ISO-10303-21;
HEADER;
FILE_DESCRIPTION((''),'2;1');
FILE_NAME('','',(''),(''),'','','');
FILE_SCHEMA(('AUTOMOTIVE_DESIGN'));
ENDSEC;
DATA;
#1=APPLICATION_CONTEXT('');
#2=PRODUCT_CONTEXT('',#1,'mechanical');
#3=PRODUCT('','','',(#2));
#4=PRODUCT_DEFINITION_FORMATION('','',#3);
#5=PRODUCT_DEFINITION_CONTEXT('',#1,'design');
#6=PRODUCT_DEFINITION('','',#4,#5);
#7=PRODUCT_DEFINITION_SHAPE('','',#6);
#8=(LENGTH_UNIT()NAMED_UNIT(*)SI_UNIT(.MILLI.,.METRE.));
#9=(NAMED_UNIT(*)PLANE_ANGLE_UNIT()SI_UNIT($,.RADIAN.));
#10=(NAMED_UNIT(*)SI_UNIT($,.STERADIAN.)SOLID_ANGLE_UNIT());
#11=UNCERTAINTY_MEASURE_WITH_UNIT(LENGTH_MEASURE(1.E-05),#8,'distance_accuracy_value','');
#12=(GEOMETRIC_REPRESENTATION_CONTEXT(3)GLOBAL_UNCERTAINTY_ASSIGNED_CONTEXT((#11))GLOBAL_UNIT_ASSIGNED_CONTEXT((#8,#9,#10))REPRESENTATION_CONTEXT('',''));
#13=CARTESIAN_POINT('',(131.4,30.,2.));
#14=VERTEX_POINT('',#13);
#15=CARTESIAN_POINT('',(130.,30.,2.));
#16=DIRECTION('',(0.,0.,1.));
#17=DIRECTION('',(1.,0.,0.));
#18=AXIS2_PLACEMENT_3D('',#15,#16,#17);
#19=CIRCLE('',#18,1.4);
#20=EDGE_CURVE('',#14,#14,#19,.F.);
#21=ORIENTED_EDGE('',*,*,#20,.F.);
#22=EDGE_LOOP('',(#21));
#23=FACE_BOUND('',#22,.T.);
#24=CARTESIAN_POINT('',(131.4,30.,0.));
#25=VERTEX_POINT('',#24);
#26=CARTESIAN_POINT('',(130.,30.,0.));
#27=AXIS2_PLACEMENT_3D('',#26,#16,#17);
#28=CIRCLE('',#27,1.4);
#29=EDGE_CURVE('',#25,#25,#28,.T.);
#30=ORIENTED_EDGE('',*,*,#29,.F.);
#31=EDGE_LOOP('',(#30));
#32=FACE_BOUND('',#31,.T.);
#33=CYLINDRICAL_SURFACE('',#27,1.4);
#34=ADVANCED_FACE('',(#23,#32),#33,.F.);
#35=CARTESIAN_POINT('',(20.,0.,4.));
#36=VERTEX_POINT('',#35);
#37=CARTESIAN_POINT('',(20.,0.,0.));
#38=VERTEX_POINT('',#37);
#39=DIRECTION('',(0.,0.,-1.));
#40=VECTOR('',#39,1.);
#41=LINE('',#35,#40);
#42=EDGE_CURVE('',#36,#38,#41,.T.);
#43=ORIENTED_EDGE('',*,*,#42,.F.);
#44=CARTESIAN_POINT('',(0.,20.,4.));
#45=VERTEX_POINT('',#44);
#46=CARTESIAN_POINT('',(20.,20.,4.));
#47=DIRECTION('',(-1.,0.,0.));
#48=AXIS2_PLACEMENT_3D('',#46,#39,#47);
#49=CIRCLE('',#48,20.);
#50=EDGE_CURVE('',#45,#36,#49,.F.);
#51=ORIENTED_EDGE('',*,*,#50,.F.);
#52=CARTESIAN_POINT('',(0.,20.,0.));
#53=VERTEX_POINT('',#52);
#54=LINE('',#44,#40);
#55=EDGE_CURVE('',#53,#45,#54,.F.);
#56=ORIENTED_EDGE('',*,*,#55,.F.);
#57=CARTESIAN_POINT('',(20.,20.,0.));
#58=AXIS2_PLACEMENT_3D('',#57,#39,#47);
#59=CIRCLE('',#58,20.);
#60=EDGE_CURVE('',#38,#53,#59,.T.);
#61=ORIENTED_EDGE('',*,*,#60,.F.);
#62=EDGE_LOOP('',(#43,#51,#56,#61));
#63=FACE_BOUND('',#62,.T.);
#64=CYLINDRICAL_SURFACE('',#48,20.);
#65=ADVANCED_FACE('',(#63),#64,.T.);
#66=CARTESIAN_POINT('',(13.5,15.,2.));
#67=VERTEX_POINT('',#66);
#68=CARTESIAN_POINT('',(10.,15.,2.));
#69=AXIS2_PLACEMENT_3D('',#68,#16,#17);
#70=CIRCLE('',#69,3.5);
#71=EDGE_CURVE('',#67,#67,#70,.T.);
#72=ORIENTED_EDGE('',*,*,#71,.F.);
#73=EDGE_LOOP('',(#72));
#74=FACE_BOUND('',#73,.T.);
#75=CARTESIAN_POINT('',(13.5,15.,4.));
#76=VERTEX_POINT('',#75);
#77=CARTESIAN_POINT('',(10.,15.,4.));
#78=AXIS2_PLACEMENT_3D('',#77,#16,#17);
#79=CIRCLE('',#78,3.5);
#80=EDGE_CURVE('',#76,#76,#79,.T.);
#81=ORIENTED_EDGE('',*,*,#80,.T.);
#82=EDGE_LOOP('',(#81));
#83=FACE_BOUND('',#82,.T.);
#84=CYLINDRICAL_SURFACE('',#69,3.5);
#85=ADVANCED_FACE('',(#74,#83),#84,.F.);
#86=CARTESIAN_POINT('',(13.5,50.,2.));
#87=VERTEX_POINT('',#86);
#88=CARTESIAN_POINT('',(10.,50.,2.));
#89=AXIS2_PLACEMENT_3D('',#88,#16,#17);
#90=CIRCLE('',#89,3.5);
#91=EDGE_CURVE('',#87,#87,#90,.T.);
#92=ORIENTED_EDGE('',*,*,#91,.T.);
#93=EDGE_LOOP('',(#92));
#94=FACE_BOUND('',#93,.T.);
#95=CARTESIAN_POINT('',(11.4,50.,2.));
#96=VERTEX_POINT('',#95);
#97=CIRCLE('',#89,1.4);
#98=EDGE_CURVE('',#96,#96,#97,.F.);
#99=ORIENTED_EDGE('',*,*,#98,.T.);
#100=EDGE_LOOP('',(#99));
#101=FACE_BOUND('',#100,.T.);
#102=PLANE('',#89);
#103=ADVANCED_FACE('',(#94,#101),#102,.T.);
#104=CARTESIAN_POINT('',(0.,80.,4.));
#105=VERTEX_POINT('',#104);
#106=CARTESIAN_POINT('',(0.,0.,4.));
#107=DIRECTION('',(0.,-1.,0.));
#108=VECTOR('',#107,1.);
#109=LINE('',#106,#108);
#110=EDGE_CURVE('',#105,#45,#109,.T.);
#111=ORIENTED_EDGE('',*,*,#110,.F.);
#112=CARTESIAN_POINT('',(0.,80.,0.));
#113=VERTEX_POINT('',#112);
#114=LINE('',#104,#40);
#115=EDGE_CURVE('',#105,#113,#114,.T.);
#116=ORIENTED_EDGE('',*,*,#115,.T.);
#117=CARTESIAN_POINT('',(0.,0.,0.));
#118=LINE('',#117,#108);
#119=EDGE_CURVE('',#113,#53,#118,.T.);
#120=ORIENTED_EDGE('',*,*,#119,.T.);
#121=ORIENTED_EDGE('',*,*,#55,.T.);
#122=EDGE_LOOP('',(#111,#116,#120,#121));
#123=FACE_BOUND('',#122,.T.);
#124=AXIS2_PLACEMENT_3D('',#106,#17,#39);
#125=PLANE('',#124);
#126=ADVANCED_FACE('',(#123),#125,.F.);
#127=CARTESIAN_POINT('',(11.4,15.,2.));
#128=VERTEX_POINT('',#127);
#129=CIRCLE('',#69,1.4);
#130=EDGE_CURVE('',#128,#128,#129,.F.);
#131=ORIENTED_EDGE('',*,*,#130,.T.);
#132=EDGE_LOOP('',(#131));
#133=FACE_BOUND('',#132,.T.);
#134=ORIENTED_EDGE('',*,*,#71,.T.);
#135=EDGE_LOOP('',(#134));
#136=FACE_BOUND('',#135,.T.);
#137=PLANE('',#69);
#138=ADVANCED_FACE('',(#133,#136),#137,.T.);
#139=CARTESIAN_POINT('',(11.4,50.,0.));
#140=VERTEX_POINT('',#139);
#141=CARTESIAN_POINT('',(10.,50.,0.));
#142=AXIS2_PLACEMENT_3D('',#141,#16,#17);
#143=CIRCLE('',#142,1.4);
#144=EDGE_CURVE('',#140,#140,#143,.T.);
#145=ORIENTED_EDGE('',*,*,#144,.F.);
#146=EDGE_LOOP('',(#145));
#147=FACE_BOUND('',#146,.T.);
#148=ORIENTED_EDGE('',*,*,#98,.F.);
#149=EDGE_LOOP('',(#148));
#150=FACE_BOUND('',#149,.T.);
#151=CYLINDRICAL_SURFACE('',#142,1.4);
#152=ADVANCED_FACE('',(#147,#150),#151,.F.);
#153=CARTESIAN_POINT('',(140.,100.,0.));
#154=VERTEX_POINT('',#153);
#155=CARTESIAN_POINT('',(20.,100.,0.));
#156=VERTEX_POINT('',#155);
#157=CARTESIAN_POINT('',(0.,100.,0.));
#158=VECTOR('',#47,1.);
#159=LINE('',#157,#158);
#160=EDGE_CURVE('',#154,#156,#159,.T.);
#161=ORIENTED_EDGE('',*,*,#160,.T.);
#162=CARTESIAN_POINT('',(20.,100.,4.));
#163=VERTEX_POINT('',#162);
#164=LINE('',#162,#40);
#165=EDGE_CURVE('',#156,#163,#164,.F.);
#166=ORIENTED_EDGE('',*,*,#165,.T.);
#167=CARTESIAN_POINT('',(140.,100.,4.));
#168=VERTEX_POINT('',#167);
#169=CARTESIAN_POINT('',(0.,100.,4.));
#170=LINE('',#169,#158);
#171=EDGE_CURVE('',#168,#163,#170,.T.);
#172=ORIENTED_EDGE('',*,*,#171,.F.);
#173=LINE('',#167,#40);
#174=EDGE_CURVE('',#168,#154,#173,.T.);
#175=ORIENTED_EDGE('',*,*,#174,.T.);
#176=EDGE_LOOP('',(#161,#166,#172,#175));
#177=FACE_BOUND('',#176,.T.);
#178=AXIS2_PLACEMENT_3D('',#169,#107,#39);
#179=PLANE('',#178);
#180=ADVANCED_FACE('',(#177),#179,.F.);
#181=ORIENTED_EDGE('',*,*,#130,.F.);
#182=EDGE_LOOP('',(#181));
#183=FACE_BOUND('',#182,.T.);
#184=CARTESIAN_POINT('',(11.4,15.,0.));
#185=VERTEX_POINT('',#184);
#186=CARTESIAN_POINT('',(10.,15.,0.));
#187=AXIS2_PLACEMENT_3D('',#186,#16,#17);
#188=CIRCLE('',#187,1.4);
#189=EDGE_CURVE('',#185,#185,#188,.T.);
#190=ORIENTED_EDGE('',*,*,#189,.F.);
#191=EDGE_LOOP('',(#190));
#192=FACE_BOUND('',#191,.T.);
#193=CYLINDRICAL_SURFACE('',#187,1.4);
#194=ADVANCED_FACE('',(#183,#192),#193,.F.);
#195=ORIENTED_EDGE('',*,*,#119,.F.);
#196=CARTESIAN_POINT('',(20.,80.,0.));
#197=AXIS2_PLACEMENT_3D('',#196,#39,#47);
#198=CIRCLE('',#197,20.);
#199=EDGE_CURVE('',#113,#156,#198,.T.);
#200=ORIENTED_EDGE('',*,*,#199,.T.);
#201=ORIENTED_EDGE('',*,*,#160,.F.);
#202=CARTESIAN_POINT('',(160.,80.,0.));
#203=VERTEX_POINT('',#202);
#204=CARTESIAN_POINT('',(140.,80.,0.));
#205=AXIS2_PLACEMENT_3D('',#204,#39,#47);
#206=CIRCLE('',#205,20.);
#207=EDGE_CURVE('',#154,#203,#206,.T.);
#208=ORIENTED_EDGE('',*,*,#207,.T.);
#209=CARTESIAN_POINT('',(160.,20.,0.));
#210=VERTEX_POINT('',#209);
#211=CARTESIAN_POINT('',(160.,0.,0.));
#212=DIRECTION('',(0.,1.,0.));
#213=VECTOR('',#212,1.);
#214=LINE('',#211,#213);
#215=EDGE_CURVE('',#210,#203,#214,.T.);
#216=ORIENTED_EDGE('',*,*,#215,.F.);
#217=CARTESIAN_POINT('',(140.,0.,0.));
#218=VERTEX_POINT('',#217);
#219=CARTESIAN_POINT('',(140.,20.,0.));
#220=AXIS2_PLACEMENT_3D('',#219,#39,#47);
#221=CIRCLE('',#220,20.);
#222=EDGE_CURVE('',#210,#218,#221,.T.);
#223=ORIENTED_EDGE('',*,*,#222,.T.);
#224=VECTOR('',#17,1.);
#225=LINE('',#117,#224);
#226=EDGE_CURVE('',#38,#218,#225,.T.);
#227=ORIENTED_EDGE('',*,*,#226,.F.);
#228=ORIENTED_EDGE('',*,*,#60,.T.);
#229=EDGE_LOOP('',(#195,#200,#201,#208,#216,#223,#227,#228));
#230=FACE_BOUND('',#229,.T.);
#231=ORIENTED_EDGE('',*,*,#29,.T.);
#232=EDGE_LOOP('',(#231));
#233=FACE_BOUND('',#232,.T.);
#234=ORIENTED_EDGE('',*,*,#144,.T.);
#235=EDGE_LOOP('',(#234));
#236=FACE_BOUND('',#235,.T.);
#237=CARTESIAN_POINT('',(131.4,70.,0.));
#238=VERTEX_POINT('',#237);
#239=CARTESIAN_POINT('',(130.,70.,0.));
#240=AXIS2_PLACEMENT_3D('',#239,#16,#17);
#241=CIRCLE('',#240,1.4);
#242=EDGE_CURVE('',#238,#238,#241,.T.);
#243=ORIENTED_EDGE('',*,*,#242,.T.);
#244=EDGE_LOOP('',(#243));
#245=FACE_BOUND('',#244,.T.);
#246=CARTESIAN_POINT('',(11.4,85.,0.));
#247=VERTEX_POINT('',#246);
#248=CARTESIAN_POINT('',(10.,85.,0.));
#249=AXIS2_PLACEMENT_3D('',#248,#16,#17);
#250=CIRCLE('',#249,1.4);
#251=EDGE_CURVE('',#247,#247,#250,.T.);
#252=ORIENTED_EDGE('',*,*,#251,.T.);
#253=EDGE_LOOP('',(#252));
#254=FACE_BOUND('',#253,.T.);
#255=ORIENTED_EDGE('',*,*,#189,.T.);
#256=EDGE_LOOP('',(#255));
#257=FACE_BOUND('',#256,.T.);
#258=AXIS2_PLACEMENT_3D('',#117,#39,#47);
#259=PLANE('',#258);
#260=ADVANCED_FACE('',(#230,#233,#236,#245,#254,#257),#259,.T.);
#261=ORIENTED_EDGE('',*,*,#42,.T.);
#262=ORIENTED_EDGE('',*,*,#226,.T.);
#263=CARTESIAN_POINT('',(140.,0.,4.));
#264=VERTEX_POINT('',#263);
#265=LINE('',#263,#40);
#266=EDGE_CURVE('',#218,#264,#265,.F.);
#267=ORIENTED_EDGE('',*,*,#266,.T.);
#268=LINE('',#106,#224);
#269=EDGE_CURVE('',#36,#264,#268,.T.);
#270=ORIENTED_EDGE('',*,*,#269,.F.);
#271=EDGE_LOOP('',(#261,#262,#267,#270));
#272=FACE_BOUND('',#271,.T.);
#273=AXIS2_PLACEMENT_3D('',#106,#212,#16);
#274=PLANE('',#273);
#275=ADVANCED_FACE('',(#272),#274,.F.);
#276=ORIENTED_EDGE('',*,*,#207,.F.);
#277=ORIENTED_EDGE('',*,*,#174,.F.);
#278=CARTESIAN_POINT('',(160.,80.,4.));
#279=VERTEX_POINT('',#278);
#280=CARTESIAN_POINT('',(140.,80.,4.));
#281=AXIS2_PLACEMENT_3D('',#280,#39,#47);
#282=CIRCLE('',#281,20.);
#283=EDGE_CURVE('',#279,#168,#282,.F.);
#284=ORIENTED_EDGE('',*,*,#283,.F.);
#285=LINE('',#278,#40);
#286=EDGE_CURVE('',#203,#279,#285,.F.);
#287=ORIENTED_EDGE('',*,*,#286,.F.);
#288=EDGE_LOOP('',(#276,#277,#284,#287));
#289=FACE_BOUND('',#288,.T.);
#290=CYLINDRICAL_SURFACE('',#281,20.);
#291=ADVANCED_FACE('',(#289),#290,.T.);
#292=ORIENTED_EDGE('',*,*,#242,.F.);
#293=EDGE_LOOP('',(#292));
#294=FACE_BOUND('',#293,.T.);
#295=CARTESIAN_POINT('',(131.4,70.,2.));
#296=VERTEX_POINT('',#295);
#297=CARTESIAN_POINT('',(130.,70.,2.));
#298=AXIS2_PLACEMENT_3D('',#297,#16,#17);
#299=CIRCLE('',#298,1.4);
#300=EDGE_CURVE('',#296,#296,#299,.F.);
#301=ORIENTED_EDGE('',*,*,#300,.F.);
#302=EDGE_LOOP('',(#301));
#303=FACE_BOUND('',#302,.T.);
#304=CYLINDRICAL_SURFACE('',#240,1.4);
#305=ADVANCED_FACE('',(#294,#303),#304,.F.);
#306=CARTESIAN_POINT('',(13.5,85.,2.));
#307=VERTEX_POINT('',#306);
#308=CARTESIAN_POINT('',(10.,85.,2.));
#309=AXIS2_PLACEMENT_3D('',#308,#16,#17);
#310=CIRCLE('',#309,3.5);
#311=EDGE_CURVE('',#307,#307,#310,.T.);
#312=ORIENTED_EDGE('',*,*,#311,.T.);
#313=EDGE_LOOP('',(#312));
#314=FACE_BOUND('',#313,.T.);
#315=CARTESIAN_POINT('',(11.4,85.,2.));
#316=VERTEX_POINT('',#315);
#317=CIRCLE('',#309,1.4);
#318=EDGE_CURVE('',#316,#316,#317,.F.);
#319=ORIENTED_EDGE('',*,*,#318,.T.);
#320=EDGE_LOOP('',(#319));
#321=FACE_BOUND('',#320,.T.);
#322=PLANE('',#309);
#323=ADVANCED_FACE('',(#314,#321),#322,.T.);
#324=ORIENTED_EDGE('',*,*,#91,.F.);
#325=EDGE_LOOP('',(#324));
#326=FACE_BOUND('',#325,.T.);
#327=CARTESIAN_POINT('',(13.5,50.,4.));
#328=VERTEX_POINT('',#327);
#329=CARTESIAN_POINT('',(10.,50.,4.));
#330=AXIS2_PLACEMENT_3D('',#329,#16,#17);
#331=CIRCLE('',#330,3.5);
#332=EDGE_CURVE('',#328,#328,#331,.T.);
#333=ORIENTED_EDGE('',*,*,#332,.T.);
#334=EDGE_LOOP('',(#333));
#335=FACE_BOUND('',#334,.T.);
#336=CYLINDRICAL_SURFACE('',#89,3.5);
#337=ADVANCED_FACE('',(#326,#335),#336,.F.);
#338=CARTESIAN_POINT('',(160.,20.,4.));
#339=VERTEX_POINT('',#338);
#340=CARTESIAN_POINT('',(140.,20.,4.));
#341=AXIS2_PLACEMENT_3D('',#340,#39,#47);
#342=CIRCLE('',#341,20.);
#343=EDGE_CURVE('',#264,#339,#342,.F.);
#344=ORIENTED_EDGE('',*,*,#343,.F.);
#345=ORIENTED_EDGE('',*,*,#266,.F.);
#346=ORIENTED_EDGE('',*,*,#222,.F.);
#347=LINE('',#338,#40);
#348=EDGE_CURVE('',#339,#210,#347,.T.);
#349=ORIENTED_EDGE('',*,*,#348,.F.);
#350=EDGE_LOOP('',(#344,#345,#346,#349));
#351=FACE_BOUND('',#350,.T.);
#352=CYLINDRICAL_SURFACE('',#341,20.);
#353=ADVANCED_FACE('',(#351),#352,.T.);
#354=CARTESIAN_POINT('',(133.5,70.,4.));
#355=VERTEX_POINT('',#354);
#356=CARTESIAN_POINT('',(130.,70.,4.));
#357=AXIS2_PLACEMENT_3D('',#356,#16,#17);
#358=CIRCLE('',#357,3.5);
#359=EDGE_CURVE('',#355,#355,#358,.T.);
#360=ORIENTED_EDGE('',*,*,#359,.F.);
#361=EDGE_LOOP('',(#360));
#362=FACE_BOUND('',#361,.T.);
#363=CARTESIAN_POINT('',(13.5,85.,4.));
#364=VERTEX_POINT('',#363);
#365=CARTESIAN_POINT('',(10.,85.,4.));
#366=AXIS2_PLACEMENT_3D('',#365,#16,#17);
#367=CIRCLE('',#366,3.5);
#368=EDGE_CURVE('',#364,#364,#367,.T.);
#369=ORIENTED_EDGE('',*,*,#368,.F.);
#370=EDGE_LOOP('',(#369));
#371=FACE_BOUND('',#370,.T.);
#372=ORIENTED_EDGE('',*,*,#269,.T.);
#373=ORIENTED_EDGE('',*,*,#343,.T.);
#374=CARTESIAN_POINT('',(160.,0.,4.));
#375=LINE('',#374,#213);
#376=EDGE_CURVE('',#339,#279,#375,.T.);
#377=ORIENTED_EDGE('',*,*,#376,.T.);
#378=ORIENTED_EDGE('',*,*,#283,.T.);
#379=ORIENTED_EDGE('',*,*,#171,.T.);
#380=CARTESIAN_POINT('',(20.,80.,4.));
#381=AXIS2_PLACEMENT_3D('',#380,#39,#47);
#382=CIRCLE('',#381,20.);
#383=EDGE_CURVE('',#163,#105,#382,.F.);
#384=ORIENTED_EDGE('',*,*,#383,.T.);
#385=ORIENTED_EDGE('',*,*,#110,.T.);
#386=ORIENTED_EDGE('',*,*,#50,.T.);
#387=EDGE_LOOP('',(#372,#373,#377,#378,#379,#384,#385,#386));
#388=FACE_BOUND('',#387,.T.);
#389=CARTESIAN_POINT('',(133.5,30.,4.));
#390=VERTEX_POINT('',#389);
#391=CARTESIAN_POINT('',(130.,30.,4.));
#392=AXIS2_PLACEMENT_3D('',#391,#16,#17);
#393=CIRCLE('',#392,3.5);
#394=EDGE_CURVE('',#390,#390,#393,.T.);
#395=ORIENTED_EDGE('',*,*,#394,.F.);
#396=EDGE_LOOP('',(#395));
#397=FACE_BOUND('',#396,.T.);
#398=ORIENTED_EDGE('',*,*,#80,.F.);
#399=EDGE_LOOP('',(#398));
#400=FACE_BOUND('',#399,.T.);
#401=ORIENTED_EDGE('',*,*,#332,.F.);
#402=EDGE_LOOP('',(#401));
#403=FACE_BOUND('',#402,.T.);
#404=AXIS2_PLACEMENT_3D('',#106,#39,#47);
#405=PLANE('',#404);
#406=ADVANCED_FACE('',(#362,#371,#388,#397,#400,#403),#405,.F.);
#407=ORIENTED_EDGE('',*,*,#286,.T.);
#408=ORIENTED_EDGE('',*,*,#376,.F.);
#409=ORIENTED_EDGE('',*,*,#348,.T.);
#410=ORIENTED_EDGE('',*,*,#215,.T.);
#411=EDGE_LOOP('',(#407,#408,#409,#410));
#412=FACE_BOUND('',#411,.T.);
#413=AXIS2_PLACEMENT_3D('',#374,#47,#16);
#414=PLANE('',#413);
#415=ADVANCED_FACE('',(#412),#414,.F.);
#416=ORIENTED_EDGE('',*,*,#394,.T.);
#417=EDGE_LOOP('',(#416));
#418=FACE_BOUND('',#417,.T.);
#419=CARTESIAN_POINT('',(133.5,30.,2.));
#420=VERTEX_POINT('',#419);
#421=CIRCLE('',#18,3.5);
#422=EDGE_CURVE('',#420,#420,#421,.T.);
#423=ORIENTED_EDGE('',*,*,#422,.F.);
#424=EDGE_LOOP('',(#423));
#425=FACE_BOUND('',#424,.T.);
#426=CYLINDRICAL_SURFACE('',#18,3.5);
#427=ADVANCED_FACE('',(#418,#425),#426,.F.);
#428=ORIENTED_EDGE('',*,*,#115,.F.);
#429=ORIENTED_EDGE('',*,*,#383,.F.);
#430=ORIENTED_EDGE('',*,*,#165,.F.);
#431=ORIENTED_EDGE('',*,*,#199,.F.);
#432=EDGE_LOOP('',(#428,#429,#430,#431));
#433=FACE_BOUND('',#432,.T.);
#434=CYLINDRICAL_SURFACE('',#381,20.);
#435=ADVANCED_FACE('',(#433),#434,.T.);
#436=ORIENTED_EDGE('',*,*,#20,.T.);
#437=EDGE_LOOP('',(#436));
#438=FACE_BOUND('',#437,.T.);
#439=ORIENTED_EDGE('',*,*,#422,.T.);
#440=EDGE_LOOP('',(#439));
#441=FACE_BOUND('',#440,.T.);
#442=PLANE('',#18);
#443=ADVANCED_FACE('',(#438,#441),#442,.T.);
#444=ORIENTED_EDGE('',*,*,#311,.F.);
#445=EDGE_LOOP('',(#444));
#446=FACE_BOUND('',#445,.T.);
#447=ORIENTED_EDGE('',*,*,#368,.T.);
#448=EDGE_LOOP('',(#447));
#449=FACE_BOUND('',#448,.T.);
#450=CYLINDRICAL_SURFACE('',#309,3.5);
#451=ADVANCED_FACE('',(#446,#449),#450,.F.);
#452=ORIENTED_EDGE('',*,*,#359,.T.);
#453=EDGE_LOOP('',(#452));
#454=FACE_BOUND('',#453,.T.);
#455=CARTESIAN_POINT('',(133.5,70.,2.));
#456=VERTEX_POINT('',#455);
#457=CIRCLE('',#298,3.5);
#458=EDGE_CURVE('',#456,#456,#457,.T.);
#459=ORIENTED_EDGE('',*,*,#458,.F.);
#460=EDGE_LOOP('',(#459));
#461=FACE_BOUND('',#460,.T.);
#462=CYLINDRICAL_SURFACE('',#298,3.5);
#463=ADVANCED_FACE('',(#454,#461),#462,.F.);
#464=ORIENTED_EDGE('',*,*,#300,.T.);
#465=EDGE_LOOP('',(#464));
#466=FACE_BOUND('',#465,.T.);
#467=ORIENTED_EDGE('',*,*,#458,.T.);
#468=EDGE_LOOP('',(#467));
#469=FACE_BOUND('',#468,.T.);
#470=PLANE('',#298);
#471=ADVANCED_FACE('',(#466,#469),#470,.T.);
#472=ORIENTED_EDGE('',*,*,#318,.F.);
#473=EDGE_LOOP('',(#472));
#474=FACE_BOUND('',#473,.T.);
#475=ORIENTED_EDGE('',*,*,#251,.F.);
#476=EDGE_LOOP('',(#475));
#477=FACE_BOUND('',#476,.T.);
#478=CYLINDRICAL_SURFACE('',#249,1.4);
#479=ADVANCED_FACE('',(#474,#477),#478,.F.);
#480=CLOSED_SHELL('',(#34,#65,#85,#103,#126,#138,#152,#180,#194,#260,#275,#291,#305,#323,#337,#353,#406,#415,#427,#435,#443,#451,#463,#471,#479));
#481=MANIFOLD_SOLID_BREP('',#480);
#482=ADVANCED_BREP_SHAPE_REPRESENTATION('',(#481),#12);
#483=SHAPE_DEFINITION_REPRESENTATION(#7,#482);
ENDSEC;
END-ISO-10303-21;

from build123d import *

# Parameters (mm, degrees)
SKETCH1_W           = 160
SKETCH1_H           = 100
BOSS_EXTRUDE1_DEPTH = 4
FILLET1_R           = 20
SKETCH2_R           = 1.4
CUT_EXTRUDE1_DEPTH  = 4
SKETCH3_R           = 3.5
CUT_EXTRUDE2_DEPTH  = 2


with BuildPart() as part:
    # Sketch1 → Boss-Extrude1 (new body)
    with BuildSketch(Plane.XY):
        with Locations((80, 50)):
            Rectangle(SKETCH1_W, SKETCH1_H)
    extrude(amount=BOSS_EXTRUDE1_DEPTH)

    # Fillet1
    fillet1_edges = [part.edges().sort_by_distance(p)[0] for p in [
        (0, 100, 2),
        (160, 100, 2),
        (160, 0, 2),
        (0, 0, 2),
    ]]
    fillet(fillet1_edges, radius=FILLET1_R)

    # Sketch2 → Cut-Extrude1 (cut)
    with BuildSketch(Plane.XY.offset(4)):
        with Locations((130, 30)):
            Circle(SKETCH2_R)
        with Locations((130, 70)):
            Circle(SKETCH2_R)
        with Locations((10, 15)):
            Circle(SKETCH2_R)
        with Locations((10, 50)):
            Circle(SKETCH2_R)
        with Locations((10, 85)):
            Circle(SKETCH2_R)
    extrude(amount=-CUT_EXTRUDE1_DEPTH, mode=Mode.SUBTRACT)

    # Sketch3 → Cut-Extrude2 (cut)
    with BuildSketch(Plane.XY.offset(4)):
        with Locations((130, 30)):
            Circle(SKETCH3_R)
        with Locations((130, 70)):
            Circle(SKETCH3_R)
        with Locations((10, 85)):
            Circle(SKETCH3_R)
        with Locations((10, 50)):
            Circle(SKETCH3_R)
        with Locations((10, 15)):
            Circle(SKETCH3_R)
    extrude(amount=-CUT_EXTRUDE2_DEPTH, mode=Mode.SUBTRACT)


solid = part.part
